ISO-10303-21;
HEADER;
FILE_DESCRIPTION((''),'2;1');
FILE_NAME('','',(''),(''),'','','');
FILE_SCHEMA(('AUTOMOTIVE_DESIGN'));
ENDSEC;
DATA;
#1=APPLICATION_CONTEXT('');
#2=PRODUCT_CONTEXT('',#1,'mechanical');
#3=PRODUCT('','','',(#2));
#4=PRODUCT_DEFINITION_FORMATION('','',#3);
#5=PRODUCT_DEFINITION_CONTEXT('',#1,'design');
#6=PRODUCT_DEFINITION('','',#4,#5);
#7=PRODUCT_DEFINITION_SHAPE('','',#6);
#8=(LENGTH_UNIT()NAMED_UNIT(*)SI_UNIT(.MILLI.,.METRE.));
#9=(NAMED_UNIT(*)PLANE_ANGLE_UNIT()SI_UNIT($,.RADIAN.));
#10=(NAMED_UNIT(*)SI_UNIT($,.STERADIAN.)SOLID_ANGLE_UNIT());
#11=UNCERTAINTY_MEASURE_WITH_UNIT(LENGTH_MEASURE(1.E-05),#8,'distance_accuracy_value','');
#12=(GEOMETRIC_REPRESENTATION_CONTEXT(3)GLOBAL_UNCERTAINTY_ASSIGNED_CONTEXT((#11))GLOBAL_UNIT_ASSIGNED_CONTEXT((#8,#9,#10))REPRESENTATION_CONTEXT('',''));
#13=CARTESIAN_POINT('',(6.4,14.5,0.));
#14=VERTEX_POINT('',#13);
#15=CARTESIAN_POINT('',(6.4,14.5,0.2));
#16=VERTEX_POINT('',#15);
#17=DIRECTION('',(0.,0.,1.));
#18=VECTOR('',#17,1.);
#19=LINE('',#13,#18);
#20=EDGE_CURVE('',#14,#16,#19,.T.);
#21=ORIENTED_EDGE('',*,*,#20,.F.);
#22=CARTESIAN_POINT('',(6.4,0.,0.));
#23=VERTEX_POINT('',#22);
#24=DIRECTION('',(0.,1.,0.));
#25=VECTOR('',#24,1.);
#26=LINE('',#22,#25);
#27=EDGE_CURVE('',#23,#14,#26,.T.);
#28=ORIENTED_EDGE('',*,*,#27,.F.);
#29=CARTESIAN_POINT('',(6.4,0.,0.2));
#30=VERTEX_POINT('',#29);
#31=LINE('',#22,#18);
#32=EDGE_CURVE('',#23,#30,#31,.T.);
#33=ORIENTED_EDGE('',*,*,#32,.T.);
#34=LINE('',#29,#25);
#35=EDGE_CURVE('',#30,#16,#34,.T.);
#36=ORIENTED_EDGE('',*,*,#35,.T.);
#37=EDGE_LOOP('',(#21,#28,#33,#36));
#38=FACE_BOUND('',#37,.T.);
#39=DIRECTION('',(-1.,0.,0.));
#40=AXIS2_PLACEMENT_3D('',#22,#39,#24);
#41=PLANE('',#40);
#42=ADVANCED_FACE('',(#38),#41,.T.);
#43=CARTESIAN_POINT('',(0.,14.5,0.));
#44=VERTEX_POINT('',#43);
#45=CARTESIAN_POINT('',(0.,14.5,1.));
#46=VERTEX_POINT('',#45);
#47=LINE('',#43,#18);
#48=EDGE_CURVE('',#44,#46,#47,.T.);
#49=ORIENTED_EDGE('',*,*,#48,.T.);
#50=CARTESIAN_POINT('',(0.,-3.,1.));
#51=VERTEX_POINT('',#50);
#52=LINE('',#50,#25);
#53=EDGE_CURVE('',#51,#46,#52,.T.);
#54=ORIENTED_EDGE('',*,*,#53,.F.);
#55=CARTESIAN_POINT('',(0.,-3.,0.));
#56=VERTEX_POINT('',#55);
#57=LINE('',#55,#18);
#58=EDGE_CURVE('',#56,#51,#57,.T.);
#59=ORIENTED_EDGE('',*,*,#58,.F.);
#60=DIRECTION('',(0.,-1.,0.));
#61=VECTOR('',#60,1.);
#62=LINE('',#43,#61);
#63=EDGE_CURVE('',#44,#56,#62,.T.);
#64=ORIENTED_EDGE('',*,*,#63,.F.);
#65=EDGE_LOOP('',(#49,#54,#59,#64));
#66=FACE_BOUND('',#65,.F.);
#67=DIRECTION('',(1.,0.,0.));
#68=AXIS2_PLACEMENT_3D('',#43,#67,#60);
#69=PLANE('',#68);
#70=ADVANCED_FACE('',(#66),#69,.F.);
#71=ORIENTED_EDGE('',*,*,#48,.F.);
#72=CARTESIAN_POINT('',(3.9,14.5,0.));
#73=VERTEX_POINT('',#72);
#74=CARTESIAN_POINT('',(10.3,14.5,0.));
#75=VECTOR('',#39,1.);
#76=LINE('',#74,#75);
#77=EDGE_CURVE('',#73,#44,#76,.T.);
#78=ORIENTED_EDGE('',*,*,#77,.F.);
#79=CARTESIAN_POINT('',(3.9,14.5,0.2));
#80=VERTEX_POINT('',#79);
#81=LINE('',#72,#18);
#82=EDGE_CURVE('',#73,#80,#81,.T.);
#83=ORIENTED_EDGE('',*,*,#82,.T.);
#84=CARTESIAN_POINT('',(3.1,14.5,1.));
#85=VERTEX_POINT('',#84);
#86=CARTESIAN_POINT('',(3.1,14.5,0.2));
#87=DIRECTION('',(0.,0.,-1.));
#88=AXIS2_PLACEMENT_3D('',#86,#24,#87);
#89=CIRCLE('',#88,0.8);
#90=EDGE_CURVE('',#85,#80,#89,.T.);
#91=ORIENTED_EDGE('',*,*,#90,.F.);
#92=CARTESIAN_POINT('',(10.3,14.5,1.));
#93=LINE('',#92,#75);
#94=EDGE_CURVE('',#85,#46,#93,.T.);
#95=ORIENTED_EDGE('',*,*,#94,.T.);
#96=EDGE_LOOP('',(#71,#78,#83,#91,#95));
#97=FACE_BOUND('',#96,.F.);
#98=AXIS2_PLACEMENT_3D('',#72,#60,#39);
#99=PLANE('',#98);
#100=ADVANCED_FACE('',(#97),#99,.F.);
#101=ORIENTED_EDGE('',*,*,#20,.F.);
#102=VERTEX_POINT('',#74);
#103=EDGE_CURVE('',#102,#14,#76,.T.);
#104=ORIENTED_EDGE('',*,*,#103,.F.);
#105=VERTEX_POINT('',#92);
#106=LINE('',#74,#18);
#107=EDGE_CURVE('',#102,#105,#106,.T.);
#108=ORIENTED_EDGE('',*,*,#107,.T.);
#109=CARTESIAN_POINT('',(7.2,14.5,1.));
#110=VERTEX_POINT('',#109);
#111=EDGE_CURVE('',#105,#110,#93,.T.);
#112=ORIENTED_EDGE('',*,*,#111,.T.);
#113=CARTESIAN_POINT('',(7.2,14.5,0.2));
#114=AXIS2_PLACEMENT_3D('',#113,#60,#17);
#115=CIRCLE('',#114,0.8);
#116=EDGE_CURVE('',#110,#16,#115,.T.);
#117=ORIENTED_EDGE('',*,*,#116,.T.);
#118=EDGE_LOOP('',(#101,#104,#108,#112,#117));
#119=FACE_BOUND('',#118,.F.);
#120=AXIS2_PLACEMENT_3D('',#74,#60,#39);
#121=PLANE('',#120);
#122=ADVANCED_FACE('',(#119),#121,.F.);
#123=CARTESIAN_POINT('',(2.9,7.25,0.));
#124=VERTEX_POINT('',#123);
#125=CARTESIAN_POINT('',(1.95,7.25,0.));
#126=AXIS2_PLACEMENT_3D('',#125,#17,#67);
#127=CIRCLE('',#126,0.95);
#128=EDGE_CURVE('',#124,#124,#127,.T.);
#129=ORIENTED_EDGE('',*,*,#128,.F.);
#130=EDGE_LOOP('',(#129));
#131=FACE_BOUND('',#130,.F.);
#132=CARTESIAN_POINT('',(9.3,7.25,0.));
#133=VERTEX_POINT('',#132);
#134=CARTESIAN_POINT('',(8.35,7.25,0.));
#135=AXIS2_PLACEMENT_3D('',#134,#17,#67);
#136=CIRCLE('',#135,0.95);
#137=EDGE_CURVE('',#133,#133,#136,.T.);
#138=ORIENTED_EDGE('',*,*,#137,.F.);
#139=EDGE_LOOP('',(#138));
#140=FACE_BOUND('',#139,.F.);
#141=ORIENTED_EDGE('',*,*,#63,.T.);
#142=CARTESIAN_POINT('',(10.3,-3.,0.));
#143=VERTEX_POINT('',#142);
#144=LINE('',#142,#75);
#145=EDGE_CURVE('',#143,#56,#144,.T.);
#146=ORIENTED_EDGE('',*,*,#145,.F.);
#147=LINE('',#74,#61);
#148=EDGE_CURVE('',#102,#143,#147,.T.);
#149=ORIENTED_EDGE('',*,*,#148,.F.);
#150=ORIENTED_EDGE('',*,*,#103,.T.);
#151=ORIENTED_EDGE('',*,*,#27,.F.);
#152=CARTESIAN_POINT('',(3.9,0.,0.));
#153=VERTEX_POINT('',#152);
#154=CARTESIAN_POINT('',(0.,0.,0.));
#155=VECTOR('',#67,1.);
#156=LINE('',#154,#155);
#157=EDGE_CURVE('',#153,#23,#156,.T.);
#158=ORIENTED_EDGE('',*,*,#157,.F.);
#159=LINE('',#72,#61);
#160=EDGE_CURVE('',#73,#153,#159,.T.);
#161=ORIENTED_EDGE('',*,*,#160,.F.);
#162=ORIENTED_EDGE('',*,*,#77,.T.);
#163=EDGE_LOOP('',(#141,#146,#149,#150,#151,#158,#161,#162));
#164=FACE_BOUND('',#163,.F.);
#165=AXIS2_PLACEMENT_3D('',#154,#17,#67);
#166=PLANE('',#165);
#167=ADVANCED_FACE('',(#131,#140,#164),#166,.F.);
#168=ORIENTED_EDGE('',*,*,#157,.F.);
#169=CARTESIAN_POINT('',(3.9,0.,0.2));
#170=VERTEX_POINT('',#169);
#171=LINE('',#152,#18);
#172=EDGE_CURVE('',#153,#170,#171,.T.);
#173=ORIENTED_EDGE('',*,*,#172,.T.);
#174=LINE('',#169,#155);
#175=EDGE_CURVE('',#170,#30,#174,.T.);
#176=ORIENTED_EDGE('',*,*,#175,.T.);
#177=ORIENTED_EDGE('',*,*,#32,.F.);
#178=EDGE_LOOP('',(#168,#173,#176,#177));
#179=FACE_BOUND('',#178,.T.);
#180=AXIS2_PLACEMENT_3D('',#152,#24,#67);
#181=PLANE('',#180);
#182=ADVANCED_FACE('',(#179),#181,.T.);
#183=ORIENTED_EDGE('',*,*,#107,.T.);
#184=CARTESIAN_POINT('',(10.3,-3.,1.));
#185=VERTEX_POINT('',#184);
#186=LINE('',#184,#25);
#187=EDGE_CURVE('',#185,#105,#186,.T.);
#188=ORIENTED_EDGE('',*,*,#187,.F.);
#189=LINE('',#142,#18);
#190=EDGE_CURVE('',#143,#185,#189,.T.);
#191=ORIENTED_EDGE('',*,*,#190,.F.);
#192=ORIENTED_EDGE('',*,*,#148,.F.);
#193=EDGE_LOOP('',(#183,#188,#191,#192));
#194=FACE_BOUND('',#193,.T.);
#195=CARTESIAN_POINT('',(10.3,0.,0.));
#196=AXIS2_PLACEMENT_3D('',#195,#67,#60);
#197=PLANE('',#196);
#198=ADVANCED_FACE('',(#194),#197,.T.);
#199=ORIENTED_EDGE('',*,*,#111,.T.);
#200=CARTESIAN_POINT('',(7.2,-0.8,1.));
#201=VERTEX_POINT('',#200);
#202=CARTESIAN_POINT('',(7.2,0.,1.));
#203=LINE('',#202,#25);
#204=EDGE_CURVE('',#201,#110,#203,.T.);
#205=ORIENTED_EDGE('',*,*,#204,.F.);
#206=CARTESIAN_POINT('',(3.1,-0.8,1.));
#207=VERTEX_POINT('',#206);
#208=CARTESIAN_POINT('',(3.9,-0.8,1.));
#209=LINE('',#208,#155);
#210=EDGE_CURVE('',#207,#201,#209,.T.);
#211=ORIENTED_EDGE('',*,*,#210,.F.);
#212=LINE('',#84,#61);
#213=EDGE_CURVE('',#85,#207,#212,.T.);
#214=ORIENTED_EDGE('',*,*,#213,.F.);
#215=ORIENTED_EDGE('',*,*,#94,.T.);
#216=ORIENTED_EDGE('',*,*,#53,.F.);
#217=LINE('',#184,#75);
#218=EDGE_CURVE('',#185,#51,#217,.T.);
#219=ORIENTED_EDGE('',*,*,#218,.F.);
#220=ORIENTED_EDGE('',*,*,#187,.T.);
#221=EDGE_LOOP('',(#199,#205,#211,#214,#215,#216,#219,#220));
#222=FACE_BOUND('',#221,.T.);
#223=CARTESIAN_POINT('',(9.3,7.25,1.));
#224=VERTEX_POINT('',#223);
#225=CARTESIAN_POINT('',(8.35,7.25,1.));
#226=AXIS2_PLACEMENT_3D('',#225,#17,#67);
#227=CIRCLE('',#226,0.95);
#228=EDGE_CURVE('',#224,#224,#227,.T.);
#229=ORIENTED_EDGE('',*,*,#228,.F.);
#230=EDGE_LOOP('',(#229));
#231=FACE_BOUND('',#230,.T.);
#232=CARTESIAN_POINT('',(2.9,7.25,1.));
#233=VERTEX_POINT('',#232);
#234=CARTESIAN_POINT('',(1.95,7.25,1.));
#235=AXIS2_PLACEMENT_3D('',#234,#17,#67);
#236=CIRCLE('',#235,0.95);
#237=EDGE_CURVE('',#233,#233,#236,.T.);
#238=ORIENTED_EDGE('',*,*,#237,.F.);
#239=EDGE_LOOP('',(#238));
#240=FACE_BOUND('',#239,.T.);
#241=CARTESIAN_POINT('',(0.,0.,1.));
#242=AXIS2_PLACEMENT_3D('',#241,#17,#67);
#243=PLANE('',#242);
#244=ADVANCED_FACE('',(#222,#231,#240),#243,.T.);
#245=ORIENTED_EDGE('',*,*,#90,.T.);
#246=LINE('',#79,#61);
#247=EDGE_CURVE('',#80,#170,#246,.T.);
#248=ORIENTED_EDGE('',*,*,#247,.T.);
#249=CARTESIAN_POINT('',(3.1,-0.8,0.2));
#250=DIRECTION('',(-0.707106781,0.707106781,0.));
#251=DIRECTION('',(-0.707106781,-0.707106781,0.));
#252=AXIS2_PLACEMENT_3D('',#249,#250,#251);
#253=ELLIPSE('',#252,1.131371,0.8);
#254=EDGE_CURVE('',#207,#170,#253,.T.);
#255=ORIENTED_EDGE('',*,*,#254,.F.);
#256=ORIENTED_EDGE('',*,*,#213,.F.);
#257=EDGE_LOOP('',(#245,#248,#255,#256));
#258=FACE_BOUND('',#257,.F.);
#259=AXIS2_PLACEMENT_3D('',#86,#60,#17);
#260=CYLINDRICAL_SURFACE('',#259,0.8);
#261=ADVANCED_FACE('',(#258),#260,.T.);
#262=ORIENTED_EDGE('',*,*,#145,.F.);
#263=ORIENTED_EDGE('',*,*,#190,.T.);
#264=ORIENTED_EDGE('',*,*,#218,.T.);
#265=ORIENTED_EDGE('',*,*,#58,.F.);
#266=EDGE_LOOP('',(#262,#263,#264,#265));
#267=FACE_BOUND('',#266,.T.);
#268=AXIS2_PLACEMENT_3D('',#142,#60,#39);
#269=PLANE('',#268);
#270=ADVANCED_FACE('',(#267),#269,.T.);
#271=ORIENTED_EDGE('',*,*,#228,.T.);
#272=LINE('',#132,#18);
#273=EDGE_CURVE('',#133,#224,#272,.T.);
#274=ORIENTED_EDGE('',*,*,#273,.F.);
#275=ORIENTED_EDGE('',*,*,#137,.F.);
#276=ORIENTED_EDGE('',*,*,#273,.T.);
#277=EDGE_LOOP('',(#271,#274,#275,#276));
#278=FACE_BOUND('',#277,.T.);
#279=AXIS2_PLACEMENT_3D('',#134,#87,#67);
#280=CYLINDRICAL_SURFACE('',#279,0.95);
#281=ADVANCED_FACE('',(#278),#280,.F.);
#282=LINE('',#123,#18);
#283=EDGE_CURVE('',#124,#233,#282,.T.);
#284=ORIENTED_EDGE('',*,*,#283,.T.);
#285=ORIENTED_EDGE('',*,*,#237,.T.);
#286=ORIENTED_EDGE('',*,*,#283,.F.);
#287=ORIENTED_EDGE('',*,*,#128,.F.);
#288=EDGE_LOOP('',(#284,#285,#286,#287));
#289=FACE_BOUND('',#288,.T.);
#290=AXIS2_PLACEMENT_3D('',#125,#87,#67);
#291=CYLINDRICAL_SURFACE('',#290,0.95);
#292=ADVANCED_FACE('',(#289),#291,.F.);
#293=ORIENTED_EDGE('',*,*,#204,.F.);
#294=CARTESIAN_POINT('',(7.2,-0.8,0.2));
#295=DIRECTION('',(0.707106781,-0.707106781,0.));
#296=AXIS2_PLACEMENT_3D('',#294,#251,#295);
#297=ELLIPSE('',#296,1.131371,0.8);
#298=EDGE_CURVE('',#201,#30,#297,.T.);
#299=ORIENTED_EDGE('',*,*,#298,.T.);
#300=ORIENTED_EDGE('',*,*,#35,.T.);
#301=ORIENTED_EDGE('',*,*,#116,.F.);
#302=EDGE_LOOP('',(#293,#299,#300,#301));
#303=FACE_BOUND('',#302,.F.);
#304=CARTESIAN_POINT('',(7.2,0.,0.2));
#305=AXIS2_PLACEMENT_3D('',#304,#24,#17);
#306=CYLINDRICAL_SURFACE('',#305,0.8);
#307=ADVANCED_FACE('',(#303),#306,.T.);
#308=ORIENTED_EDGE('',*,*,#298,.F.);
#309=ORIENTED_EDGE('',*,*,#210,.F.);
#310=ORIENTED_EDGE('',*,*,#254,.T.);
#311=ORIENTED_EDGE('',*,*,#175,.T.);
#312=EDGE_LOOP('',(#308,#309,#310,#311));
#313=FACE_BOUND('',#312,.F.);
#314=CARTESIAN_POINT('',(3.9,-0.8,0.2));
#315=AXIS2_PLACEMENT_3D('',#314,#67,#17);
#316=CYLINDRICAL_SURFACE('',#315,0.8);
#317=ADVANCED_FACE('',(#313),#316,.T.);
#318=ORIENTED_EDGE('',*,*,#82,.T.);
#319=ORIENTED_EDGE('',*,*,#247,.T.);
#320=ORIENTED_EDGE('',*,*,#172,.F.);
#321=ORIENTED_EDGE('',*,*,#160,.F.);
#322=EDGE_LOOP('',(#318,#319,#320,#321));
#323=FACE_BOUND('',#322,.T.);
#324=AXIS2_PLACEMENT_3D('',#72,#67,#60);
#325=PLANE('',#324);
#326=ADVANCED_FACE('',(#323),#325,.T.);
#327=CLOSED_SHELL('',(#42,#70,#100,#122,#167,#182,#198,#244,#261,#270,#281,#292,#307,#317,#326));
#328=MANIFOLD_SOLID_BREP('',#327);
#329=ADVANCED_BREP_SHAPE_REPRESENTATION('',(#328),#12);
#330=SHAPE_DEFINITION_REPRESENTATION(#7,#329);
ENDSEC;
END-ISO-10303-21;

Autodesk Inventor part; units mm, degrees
ref_plane "YZ Plane" through (0, 0, 0) normal (1, 0, 0) x (0, 1, 0)
ref_plane "XZ Plane" through (0, 0, 0) normal (0, 1, 0) x (-1, 0, 0)
ref_plane "XY Plane" through (0, 0, 0) normal (0, 0, 1) x (1, 0, 0)
sketch "Sketch1" plane through (0, 0, 0) normal (0, 0, 1) x (1, 0, 0)
  line L0 (0, 0) -> (10.3, 0)
  line L1 (10.3, 0) -> (10.3, 14.5)
  line L2 (10.3, 14.5) -> (0, 14.5)
  line L3 (0, 14.5) -> (0, 0)
  line L4 (3.9, 0) -> (6.4, 0)
  line L5 (6.4, 0) -> (6.4, 14.5)
  line L6 (6.4, 14.5) -> (3.9, 14.5)
  line L7 (3.9, 14.5) -> (3.9, 0)
  line L8 (0, 0) -> (10.3, 0)
  line L9 (10.3, 0) -> (10.3, -3)
  line L10 (10.3, -3) -> (0, -3)
  line L11 (0, -3) -> (0, 0)
  circle A0 centre (1.95, 7.25) radius 0.95
  circle A1 centre (8.35, 7.25) radius 0.95
  dimension "d0" = 10.3
  dimension "d1" = 14.5
  dimension "d2" = 2.5
  dimension "d3" = 3
  dimension "d4" = 3.9
  dimension "d5" = 0
  dimension "d6" = 1.9
  dimension "d7" = 1.95
  dimension "d8" = 7.25
  dimension "d9" = 1.9
  dimension "d10" = 1.95
  dimension "d11" = 7.25
extrude "Extrusion1" add sketch "Sketch1" along normal blind 1 contours L3 L2 L7 L0 | L0 L9 L10 L11 | L5 L2 L1 L0
fillet "Fillet1" radius 0.8 3 edges at (3.9, 7.25, 1) (5.15, 0, 1) (6.4, 7.25, 1)
equation "\"d4\" = -0.5 * d2 + 0.5 * d0"
equation "\"d7\" = 0.5 * d4"
equation "\"d8\" = 0.5 * d1"
equation "\"d9\" = d6"
equation "\"d10\" = d7"
equation "\"d11\" = d8"
properties part number "control_arm_hole_guide"
